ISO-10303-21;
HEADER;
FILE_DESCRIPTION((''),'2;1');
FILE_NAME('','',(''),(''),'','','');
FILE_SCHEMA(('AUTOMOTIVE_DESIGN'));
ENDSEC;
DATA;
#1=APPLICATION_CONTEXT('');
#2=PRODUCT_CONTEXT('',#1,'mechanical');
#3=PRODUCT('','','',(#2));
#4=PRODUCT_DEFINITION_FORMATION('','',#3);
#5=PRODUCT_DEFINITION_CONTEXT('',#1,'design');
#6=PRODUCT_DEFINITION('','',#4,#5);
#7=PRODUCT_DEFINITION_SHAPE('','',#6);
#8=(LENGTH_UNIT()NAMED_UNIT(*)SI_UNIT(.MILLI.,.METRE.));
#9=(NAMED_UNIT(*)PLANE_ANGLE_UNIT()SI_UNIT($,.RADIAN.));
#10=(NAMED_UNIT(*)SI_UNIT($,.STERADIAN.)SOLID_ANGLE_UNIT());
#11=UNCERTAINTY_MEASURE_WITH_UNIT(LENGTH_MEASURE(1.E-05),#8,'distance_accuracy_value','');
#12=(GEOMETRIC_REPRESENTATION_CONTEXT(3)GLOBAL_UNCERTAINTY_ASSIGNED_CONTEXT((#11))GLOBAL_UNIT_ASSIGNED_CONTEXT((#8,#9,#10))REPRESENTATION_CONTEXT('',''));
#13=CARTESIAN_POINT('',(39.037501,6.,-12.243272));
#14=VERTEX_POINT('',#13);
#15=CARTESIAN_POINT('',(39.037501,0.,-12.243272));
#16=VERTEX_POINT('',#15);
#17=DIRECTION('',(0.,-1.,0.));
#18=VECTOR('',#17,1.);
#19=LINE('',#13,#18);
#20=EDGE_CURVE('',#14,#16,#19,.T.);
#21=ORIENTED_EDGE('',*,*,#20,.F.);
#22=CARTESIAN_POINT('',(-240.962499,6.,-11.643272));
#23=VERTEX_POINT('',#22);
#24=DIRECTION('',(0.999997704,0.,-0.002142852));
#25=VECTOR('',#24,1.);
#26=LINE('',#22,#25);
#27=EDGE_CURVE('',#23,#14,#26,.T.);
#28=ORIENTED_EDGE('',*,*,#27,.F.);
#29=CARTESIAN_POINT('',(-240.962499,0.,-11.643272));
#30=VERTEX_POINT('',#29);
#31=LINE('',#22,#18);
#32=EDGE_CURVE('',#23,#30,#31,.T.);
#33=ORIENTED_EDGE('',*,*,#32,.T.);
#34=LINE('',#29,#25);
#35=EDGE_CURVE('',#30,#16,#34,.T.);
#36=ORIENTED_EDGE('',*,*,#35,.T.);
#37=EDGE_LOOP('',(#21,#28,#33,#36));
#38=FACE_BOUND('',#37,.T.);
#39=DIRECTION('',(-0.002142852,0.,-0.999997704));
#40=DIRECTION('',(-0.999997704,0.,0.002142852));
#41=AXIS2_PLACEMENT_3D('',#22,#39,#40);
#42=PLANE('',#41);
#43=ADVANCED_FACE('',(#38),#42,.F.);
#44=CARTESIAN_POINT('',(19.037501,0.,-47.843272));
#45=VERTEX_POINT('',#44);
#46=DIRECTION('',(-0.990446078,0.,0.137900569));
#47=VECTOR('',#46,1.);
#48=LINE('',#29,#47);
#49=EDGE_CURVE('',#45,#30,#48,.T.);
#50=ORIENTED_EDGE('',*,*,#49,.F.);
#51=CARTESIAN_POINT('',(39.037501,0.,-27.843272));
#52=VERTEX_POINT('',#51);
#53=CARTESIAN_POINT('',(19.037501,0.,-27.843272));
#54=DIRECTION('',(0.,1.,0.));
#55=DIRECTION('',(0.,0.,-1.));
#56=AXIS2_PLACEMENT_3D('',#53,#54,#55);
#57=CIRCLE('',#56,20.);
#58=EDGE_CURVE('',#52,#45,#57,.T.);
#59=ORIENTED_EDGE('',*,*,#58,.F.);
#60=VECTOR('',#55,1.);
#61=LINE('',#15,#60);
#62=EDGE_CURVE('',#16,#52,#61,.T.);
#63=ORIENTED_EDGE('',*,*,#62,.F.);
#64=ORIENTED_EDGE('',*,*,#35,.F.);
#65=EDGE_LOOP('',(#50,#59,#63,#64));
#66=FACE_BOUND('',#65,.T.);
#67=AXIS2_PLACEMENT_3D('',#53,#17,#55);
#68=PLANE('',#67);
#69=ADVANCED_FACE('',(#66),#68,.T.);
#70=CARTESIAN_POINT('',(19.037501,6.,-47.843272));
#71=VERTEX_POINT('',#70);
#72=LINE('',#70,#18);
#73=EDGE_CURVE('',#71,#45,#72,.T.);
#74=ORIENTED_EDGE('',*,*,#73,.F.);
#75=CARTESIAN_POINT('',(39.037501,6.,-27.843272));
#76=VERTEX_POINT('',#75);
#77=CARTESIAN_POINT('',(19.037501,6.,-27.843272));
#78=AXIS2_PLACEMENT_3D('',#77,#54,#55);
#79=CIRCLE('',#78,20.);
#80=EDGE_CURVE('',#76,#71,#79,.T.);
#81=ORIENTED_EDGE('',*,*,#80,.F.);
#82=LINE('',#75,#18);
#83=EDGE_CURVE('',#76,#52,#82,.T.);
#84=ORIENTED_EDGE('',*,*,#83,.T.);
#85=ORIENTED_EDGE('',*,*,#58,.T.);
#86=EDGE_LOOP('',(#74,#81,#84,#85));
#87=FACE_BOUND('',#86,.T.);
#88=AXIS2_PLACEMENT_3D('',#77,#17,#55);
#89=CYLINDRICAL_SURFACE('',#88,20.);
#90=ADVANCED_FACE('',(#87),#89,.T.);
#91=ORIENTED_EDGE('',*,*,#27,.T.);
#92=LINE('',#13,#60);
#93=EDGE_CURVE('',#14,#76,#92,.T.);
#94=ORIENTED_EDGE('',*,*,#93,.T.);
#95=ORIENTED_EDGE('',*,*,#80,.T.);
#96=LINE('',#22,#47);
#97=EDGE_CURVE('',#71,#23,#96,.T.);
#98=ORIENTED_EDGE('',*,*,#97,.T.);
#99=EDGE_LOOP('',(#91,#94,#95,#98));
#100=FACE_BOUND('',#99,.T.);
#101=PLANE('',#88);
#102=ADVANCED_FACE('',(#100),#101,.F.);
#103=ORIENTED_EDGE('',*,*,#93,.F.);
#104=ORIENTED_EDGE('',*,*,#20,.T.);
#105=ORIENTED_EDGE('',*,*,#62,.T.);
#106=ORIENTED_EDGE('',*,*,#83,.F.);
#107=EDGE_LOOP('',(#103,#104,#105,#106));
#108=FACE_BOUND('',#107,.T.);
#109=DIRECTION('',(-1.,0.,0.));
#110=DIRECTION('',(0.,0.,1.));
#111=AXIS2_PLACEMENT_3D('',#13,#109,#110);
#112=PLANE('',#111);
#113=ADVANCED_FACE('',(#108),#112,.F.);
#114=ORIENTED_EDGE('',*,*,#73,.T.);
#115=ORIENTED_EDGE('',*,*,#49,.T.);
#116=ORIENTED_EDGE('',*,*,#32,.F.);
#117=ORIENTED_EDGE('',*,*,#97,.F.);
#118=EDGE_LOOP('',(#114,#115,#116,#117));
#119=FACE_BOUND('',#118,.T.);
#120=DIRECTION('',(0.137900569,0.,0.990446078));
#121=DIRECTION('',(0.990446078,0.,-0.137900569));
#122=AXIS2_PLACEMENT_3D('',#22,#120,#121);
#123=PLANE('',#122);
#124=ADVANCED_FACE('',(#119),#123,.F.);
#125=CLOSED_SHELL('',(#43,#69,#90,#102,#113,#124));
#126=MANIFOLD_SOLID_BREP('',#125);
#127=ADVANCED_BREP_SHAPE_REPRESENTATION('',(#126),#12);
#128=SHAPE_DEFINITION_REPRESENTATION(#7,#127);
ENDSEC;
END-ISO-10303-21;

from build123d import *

# Parameters (mm, degrees)
BOSS_EXTRUDE2_DEPTH = 6


with BuildPart() as part:
    # Sketch1 → Boss-Extrude2 (new body)
    with BuildSketch(Plane(origin=(0, 0, 0), x_dir=(1, 0, 0), z_dir=(0, 1, 0))):
        with BuildLine():
            Line((39.037500682, 12.243272234), (39.037500682, 27.843272234))
            ThreePointArc((39.037500682, 27.843272234), (33.179636306, 41.985407858), (19.037500682, 47.843272234))
            Line((19.037500682, 47.843272234), (-240.962499318, 11.643272234))
            Line((-240.962499318, 11.643272234), (39.037500682, 12.243272234))
        make_face()
    extrude(amount=BOSS_EXTRUDE2_DEPTH)


solid = part.part
